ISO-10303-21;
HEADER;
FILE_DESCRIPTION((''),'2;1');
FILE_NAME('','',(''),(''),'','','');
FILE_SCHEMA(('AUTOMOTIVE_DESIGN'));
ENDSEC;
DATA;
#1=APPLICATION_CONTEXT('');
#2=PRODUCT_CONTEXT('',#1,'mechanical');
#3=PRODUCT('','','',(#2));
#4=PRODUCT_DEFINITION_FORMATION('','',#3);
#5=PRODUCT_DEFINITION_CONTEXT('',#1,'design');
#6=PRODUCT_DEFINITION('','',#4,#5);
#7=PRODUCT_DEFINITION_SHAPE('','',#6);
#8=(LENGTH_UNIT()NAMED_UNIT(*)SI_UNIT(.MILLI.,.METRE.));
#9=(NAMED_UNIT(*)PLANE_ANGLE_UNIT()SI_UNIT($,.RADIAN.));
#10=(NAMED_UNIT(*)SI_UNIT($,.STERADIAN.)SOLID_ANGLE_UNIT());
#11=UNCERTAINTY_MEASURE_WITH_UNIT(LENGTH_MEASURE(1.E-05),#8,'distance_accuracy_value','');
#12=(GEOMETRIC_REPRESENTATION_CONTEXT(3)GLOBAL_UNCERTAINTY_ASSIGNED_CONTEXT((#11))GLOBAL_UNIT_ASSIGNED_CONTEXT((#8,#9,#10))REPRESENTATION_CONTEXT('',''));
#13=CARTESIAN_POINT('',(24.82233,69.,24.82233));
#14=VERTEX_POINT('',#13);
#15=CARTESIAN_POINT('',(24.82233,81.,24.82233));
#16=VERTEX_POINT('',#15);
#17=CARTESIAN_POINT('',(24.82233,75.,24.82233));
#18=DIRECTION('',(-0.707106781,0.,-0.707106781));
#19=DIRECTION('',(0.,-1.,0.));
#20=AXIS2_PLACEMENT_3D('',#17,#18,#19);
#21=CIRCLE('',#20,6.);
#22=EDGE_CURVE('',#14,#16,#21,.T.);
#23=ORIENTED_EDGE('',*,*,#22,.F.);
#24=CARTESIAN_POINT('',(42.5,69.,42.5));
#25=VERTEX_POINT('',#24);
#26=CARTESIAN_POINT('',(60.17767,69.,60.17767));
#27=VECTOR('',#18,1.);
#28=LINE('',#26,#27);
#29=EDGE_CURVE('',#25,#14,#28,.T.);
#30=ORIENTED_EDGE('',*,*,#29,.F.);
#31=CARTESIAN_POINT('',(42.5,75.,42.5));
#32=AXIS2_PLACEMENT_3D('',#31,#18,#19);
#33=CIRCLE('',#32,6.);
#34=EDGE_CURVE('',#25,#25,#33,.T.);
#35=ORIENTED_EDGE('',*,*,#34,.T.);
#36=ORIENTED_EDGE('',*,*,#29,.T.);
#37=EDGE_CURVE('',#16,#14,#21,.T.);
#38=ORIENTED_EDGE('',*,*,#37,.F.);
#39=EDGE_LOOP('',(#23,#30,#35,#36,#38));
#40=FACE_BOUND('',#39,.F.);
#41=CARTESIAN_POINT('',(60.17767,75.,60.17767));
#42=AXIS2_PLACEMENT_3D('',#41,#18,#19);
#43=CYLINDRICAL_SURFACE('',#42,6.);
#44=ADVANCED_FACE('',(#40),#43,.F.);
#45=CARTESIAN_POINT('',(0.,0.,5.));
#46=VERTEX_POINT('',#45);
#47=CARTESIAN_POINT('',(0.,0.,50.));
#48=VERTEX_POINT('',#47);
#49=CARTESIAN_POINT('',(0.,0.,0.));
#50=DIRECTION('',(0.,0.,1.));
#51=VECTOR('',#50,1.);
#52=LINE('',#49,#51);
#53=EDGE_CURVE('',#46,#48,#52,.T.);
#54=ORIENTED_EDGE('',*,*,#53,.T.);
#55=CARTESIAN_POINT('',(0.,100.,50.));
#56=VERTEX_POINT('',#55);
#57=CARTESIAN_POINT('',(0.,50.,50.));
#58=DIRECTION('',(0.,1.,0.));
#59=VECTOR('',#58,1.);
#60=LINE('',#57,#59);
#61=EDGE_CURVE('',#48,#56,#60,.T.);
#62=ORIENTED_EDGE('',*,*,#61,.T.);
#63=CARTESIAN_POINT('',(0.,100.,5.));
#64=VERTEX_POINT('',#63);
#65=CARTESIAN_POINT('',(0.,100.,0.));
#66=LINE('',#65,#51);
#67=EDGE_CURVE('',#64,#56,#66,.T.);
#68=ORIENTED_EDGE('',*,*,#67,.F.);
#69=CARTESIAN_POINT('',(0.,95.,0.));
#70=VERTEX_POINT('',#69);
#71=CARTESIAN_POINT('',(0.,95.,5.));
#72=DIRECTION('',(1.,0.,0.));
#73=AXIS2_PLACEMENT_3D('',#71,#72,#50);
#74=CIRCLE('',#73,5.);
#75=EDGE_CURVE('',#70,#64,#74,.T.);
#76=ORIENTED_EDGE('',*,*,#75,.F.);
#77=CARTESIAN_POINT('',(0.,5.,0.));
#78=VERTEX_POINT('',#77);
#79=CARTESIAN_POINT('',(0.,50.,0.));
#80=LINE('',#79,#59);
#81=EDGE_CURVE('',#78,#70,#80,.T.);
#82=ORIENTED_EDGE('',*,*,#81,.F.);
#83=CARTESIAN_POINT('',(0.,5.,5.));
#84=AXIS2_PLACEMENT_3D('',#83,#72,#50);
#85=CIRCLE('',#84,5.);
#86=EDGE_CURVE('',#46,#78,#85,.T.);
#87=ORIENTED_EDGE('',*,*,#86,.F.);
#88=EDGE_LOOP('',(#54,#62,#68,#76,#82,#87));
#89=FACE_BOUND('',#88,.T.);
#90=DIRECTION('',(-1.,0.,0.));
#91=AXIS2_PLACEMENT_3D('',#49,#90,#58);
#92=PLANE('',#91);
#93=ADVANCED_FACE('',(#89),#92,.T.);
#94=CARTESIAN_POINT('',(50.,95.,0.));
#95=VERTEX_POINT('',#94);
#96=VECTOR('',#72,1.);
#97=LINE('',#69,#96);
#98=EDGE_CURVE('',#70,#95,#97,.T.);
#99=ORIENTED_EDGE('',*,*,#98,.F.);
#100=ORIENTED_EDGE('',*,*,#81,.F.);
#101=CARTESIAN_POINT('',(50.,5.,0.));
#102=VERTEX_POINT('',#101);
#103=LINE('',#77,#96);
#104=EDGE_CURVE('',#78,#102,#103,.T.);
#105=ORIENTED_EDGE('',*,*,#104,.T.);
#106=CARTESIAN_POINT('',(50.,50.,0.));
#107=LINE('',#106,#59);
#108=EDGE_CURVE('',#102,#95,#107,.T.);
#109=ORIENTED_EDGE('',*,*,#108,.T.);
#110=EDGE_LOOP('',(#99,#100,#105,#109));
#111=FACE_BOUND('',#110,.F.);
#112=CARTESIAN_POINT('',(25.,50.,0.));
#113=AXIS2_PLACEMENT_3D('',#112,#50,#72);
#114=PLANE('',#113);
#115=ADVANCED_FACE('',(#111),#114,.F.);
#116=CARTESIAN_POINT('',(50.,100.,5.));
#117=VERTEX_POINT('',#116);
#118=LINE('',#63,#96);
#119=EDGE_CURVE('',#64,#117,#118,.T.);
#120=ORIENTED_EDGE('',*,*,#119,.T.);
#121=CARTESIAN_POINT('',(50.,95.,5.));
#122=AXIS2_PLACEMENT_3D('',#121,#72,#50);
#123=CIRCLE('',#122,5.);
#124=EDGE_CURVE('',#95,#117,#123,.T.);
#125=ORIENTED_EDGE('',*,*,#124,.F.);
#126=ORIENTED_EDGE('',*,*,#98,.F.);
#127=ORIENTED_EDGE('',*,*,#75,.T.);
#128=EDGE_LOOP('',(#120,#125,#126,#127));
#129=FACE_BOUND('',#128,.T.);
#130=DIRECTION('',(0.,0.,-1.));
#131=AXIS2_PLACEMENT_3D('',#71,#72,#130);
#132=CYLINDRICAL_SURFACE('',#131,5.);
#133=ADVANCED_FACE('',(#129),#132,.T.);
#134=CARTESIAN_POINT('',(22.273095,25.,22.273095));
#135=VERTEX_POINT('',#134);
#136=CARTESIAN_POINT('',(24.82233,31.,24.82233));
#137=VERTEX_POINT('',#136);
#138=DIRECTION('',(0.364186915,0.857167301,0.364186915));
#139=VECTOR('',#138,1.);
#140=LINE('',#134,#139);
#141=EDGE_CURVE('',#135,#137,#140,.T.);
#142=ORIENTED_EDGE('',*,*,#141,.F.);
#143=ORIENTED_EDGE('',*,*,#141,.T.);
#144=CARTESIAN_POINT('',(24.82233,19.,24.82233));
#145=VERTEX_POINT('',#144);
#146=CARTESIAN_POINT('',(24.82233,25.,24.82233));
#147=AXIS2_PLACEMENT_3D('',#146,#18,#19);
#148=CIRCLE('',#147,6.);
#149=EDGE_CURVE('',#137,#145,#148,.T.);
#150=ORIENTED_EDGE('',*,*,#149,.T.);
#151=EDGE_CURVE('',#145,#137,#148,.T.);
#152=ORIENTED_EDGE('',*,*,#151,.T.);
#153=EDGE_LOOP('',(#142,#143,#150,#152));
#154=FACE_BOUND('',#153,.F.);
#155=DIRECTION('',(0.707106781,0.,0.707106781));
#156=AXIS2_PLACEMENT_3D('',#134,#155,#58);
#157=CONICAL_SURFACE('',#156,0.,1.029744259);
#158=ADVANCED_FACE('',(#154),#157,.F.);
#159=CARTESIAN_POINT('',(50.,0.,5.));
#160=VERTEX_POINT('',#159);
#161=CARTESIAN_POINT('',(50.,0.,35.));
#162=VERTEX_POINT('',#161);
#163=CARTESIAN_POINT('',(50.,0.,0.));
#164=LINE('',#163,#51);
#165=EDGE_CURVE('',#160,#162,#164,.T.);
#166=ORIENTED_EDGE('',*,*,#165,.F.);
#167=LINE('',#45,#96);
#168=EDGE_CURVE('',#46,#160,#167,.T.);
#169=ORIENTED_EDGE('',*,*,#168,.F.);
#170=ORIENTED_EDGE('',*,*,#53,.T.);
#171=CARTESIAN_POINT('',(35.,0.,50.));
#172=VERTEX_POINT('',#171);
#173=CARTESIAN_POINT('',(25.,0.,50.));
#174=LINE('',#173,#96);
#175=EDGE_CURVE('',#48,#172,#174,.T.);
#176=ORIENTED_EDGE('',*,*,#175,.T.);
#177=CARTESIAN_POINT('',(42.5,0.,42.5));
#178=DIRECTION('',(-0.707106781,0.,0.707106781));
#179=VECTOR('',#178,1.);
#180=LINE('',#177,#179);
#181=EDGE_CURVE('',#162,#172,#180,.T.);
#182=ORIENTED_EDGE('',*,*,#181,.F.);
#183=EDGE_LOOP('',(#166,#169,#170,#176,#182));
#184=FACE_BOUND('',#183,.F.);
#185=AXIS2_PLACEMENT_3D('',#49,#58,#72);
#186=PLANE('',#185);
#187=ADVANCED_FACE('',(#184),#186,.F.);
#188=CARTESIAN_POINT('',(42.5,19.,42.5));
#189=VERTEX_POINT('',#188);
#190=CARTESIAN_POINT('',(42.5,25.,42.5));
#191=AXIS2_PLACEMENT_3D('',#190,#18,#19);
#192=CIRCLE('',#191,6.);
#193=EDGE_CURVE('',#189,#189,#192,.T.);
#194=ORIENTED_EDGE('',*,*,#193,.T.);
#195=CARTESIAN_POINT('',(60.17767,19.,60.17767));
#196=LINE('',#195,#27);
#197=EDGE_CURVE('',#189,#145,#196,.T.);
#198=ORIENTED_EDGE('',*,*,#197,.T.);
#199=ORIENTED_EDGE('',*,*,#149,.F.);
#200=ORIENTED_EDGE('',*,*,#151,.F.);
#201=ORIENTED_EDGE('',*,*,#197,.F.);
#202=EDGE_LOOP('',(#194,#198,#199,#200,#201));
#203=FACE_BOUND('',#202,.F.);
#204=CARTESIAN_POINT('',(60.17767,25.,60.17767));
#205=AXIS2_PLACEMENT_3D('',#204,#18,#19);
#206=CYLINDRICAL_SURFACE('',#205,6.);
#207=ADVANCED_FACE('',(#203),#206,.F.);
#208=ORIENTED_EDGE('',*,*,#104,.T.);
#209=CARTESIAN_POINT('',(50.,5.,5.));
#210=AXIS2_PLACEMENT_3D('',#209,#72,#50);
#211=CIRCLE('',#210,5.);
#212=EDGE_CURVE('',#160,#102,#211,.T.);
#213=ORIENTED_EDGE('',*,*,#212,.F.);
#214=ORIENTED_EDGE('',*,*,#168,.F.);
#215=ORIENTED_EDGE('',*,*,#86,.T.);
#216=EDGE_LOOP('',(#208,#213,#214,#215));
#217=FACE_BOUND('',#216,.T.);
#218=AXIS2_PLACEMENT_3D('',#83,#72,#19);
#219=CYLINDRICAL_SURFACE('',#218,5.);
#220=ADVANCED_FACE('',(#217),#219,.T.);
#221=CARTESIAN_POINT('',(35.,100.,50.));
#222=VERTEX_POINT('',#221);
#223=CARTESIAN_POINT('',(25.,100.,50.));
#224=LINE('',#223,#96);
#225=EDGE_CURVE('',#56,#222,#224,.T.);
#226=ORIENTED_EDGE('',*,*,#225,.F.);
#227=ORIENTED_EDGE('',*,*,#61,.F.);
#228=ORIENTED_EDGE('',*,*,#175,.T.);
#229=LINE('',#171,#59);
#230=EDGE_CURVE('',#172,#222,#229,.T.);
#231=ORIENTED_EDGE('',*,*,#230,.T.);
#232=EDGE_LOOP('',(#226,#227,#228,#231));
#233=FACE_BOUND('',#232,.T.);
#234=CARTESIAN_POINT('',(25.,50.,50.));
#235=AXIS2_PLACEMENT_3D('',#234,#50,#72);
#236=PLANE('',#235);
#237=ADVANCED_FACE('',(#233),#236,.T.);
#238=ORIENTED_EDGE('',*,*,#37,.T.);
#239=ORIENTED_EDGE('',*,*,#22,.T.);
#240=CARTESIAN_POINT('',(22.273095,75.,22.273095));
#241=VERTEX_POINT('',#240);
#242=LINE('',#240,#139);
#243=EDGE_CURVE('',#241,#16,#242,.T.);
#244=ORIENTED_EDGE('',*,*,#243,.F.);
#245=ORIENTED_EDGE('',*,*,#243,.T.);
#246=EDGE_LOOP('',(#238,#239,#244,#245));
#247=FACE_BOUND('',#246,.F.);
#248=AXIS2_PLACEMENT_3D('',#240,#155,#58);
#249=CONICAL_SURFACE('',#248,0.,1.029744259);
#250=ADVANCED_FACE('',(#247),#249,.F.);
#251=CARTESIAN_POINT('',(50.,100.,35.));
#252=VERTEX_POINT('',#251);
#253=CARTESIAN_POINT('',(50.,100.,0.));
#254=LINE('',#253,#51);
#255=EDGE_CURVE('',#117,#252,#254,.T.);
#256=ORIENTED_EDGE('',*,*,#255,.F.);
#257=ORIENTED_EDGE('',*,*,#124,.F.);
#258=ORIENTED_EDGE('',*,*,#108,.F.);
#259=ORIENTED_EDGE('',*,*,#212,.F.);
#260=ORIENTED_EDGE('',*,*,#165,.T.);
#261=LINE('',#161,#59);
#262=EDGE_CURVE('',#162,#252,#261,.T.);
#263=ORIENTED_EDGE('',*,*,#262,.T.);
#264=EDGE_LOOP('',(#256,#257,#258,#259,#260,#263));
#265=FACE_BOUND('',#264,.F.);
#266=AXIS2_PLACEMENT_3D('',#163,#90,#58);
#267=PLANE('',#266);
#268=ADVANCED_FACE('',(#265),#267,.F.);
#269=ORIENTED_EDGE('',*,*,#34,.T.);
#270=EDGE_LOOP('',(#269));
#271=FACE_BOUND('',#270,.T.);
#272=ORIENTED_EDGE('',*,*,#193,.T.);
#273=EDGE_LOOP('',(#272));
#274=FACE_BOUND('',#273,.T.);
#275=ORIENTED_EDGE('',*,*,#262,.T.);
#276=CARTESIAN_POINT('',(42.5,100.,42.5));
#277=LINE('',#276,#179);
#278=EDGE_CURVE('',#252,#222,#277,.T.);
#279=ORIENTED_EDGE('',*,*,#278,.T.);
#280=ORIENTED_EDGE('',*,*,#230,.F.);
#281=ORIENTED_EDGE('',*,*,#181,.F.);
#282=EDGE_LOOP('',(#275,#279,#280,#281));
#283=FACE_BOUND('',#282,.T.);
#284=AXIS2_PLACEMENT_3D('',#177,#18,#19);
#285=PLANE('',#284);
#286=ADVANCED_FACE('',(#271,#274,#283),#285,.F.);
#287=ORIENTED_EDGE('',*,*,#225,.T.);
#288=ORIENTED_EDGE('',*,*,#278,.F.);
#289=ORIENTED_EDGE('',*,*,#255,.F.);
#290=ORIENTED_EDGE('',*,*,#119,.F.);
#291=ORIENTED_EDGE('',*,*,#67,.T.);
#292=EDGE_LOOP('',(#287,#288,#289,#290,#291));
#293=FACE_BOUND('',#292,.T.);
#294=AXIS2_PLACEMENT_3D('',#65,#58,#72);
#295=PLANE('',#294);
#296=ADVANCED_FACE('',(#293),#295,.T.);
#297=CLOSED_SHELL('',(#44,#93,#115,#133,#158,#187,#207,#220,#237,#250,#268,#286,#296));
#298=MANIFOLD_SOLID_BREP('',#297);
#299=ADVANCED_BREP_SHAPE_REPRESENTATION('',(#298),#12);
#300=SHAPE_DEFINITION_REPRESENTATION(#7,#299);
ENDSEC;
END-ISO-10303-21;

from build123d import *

# Parameters (mm, degrees)
F0_W     = 50
F0_H     = 100
F1_DEPTH = 50
F2_SIZE  = 15
F4_D     = 12
F4_DEPTH = 25
F4_TIP   = 3.6051637142
F5_R     = 5


with BuildPart() as f1:
    # F0 (on Top) → F1 (new body)
    with BuildSketch(Plane.XY):
        with Locations((25, 50)):
            Rectangle(F0_W, F0_H)
    extrude(amount=F1_DEPTH)

    # F2
    f2_edges = [f1.edges().sort_by_distance(p)[0] for p in [
        (50, 50, 50),
    ]]
    chamfer(f2_edges, length=F2_SIZE)

    # F4
    with Locations(Plane(origin=(42.5, 0, 42.5), x_dir=(0, 1, 0), z_dir=(0.7071067812, 0, 0.7071067812))):
        with Locations((25, 0), (75, 0)):
            Hole(F4_D / 2, depth=F4_DEPTH)
            with Locations((0, 0, -(F4_DEPTH + F4_TIP / 2))):  # 118° drill point
                Cone(0, F4_D / 2, F4_TIP, mode=Mode.SUBTRACT)

    # F5
    f5_edges = [f1.edges().sort_by_distance(p)[0] for p in [
        (25, 100, 0),
        (25, 0, 0),
    ]]
    fillet(f5_edges, radius=F5_R)


solid = f1.part
